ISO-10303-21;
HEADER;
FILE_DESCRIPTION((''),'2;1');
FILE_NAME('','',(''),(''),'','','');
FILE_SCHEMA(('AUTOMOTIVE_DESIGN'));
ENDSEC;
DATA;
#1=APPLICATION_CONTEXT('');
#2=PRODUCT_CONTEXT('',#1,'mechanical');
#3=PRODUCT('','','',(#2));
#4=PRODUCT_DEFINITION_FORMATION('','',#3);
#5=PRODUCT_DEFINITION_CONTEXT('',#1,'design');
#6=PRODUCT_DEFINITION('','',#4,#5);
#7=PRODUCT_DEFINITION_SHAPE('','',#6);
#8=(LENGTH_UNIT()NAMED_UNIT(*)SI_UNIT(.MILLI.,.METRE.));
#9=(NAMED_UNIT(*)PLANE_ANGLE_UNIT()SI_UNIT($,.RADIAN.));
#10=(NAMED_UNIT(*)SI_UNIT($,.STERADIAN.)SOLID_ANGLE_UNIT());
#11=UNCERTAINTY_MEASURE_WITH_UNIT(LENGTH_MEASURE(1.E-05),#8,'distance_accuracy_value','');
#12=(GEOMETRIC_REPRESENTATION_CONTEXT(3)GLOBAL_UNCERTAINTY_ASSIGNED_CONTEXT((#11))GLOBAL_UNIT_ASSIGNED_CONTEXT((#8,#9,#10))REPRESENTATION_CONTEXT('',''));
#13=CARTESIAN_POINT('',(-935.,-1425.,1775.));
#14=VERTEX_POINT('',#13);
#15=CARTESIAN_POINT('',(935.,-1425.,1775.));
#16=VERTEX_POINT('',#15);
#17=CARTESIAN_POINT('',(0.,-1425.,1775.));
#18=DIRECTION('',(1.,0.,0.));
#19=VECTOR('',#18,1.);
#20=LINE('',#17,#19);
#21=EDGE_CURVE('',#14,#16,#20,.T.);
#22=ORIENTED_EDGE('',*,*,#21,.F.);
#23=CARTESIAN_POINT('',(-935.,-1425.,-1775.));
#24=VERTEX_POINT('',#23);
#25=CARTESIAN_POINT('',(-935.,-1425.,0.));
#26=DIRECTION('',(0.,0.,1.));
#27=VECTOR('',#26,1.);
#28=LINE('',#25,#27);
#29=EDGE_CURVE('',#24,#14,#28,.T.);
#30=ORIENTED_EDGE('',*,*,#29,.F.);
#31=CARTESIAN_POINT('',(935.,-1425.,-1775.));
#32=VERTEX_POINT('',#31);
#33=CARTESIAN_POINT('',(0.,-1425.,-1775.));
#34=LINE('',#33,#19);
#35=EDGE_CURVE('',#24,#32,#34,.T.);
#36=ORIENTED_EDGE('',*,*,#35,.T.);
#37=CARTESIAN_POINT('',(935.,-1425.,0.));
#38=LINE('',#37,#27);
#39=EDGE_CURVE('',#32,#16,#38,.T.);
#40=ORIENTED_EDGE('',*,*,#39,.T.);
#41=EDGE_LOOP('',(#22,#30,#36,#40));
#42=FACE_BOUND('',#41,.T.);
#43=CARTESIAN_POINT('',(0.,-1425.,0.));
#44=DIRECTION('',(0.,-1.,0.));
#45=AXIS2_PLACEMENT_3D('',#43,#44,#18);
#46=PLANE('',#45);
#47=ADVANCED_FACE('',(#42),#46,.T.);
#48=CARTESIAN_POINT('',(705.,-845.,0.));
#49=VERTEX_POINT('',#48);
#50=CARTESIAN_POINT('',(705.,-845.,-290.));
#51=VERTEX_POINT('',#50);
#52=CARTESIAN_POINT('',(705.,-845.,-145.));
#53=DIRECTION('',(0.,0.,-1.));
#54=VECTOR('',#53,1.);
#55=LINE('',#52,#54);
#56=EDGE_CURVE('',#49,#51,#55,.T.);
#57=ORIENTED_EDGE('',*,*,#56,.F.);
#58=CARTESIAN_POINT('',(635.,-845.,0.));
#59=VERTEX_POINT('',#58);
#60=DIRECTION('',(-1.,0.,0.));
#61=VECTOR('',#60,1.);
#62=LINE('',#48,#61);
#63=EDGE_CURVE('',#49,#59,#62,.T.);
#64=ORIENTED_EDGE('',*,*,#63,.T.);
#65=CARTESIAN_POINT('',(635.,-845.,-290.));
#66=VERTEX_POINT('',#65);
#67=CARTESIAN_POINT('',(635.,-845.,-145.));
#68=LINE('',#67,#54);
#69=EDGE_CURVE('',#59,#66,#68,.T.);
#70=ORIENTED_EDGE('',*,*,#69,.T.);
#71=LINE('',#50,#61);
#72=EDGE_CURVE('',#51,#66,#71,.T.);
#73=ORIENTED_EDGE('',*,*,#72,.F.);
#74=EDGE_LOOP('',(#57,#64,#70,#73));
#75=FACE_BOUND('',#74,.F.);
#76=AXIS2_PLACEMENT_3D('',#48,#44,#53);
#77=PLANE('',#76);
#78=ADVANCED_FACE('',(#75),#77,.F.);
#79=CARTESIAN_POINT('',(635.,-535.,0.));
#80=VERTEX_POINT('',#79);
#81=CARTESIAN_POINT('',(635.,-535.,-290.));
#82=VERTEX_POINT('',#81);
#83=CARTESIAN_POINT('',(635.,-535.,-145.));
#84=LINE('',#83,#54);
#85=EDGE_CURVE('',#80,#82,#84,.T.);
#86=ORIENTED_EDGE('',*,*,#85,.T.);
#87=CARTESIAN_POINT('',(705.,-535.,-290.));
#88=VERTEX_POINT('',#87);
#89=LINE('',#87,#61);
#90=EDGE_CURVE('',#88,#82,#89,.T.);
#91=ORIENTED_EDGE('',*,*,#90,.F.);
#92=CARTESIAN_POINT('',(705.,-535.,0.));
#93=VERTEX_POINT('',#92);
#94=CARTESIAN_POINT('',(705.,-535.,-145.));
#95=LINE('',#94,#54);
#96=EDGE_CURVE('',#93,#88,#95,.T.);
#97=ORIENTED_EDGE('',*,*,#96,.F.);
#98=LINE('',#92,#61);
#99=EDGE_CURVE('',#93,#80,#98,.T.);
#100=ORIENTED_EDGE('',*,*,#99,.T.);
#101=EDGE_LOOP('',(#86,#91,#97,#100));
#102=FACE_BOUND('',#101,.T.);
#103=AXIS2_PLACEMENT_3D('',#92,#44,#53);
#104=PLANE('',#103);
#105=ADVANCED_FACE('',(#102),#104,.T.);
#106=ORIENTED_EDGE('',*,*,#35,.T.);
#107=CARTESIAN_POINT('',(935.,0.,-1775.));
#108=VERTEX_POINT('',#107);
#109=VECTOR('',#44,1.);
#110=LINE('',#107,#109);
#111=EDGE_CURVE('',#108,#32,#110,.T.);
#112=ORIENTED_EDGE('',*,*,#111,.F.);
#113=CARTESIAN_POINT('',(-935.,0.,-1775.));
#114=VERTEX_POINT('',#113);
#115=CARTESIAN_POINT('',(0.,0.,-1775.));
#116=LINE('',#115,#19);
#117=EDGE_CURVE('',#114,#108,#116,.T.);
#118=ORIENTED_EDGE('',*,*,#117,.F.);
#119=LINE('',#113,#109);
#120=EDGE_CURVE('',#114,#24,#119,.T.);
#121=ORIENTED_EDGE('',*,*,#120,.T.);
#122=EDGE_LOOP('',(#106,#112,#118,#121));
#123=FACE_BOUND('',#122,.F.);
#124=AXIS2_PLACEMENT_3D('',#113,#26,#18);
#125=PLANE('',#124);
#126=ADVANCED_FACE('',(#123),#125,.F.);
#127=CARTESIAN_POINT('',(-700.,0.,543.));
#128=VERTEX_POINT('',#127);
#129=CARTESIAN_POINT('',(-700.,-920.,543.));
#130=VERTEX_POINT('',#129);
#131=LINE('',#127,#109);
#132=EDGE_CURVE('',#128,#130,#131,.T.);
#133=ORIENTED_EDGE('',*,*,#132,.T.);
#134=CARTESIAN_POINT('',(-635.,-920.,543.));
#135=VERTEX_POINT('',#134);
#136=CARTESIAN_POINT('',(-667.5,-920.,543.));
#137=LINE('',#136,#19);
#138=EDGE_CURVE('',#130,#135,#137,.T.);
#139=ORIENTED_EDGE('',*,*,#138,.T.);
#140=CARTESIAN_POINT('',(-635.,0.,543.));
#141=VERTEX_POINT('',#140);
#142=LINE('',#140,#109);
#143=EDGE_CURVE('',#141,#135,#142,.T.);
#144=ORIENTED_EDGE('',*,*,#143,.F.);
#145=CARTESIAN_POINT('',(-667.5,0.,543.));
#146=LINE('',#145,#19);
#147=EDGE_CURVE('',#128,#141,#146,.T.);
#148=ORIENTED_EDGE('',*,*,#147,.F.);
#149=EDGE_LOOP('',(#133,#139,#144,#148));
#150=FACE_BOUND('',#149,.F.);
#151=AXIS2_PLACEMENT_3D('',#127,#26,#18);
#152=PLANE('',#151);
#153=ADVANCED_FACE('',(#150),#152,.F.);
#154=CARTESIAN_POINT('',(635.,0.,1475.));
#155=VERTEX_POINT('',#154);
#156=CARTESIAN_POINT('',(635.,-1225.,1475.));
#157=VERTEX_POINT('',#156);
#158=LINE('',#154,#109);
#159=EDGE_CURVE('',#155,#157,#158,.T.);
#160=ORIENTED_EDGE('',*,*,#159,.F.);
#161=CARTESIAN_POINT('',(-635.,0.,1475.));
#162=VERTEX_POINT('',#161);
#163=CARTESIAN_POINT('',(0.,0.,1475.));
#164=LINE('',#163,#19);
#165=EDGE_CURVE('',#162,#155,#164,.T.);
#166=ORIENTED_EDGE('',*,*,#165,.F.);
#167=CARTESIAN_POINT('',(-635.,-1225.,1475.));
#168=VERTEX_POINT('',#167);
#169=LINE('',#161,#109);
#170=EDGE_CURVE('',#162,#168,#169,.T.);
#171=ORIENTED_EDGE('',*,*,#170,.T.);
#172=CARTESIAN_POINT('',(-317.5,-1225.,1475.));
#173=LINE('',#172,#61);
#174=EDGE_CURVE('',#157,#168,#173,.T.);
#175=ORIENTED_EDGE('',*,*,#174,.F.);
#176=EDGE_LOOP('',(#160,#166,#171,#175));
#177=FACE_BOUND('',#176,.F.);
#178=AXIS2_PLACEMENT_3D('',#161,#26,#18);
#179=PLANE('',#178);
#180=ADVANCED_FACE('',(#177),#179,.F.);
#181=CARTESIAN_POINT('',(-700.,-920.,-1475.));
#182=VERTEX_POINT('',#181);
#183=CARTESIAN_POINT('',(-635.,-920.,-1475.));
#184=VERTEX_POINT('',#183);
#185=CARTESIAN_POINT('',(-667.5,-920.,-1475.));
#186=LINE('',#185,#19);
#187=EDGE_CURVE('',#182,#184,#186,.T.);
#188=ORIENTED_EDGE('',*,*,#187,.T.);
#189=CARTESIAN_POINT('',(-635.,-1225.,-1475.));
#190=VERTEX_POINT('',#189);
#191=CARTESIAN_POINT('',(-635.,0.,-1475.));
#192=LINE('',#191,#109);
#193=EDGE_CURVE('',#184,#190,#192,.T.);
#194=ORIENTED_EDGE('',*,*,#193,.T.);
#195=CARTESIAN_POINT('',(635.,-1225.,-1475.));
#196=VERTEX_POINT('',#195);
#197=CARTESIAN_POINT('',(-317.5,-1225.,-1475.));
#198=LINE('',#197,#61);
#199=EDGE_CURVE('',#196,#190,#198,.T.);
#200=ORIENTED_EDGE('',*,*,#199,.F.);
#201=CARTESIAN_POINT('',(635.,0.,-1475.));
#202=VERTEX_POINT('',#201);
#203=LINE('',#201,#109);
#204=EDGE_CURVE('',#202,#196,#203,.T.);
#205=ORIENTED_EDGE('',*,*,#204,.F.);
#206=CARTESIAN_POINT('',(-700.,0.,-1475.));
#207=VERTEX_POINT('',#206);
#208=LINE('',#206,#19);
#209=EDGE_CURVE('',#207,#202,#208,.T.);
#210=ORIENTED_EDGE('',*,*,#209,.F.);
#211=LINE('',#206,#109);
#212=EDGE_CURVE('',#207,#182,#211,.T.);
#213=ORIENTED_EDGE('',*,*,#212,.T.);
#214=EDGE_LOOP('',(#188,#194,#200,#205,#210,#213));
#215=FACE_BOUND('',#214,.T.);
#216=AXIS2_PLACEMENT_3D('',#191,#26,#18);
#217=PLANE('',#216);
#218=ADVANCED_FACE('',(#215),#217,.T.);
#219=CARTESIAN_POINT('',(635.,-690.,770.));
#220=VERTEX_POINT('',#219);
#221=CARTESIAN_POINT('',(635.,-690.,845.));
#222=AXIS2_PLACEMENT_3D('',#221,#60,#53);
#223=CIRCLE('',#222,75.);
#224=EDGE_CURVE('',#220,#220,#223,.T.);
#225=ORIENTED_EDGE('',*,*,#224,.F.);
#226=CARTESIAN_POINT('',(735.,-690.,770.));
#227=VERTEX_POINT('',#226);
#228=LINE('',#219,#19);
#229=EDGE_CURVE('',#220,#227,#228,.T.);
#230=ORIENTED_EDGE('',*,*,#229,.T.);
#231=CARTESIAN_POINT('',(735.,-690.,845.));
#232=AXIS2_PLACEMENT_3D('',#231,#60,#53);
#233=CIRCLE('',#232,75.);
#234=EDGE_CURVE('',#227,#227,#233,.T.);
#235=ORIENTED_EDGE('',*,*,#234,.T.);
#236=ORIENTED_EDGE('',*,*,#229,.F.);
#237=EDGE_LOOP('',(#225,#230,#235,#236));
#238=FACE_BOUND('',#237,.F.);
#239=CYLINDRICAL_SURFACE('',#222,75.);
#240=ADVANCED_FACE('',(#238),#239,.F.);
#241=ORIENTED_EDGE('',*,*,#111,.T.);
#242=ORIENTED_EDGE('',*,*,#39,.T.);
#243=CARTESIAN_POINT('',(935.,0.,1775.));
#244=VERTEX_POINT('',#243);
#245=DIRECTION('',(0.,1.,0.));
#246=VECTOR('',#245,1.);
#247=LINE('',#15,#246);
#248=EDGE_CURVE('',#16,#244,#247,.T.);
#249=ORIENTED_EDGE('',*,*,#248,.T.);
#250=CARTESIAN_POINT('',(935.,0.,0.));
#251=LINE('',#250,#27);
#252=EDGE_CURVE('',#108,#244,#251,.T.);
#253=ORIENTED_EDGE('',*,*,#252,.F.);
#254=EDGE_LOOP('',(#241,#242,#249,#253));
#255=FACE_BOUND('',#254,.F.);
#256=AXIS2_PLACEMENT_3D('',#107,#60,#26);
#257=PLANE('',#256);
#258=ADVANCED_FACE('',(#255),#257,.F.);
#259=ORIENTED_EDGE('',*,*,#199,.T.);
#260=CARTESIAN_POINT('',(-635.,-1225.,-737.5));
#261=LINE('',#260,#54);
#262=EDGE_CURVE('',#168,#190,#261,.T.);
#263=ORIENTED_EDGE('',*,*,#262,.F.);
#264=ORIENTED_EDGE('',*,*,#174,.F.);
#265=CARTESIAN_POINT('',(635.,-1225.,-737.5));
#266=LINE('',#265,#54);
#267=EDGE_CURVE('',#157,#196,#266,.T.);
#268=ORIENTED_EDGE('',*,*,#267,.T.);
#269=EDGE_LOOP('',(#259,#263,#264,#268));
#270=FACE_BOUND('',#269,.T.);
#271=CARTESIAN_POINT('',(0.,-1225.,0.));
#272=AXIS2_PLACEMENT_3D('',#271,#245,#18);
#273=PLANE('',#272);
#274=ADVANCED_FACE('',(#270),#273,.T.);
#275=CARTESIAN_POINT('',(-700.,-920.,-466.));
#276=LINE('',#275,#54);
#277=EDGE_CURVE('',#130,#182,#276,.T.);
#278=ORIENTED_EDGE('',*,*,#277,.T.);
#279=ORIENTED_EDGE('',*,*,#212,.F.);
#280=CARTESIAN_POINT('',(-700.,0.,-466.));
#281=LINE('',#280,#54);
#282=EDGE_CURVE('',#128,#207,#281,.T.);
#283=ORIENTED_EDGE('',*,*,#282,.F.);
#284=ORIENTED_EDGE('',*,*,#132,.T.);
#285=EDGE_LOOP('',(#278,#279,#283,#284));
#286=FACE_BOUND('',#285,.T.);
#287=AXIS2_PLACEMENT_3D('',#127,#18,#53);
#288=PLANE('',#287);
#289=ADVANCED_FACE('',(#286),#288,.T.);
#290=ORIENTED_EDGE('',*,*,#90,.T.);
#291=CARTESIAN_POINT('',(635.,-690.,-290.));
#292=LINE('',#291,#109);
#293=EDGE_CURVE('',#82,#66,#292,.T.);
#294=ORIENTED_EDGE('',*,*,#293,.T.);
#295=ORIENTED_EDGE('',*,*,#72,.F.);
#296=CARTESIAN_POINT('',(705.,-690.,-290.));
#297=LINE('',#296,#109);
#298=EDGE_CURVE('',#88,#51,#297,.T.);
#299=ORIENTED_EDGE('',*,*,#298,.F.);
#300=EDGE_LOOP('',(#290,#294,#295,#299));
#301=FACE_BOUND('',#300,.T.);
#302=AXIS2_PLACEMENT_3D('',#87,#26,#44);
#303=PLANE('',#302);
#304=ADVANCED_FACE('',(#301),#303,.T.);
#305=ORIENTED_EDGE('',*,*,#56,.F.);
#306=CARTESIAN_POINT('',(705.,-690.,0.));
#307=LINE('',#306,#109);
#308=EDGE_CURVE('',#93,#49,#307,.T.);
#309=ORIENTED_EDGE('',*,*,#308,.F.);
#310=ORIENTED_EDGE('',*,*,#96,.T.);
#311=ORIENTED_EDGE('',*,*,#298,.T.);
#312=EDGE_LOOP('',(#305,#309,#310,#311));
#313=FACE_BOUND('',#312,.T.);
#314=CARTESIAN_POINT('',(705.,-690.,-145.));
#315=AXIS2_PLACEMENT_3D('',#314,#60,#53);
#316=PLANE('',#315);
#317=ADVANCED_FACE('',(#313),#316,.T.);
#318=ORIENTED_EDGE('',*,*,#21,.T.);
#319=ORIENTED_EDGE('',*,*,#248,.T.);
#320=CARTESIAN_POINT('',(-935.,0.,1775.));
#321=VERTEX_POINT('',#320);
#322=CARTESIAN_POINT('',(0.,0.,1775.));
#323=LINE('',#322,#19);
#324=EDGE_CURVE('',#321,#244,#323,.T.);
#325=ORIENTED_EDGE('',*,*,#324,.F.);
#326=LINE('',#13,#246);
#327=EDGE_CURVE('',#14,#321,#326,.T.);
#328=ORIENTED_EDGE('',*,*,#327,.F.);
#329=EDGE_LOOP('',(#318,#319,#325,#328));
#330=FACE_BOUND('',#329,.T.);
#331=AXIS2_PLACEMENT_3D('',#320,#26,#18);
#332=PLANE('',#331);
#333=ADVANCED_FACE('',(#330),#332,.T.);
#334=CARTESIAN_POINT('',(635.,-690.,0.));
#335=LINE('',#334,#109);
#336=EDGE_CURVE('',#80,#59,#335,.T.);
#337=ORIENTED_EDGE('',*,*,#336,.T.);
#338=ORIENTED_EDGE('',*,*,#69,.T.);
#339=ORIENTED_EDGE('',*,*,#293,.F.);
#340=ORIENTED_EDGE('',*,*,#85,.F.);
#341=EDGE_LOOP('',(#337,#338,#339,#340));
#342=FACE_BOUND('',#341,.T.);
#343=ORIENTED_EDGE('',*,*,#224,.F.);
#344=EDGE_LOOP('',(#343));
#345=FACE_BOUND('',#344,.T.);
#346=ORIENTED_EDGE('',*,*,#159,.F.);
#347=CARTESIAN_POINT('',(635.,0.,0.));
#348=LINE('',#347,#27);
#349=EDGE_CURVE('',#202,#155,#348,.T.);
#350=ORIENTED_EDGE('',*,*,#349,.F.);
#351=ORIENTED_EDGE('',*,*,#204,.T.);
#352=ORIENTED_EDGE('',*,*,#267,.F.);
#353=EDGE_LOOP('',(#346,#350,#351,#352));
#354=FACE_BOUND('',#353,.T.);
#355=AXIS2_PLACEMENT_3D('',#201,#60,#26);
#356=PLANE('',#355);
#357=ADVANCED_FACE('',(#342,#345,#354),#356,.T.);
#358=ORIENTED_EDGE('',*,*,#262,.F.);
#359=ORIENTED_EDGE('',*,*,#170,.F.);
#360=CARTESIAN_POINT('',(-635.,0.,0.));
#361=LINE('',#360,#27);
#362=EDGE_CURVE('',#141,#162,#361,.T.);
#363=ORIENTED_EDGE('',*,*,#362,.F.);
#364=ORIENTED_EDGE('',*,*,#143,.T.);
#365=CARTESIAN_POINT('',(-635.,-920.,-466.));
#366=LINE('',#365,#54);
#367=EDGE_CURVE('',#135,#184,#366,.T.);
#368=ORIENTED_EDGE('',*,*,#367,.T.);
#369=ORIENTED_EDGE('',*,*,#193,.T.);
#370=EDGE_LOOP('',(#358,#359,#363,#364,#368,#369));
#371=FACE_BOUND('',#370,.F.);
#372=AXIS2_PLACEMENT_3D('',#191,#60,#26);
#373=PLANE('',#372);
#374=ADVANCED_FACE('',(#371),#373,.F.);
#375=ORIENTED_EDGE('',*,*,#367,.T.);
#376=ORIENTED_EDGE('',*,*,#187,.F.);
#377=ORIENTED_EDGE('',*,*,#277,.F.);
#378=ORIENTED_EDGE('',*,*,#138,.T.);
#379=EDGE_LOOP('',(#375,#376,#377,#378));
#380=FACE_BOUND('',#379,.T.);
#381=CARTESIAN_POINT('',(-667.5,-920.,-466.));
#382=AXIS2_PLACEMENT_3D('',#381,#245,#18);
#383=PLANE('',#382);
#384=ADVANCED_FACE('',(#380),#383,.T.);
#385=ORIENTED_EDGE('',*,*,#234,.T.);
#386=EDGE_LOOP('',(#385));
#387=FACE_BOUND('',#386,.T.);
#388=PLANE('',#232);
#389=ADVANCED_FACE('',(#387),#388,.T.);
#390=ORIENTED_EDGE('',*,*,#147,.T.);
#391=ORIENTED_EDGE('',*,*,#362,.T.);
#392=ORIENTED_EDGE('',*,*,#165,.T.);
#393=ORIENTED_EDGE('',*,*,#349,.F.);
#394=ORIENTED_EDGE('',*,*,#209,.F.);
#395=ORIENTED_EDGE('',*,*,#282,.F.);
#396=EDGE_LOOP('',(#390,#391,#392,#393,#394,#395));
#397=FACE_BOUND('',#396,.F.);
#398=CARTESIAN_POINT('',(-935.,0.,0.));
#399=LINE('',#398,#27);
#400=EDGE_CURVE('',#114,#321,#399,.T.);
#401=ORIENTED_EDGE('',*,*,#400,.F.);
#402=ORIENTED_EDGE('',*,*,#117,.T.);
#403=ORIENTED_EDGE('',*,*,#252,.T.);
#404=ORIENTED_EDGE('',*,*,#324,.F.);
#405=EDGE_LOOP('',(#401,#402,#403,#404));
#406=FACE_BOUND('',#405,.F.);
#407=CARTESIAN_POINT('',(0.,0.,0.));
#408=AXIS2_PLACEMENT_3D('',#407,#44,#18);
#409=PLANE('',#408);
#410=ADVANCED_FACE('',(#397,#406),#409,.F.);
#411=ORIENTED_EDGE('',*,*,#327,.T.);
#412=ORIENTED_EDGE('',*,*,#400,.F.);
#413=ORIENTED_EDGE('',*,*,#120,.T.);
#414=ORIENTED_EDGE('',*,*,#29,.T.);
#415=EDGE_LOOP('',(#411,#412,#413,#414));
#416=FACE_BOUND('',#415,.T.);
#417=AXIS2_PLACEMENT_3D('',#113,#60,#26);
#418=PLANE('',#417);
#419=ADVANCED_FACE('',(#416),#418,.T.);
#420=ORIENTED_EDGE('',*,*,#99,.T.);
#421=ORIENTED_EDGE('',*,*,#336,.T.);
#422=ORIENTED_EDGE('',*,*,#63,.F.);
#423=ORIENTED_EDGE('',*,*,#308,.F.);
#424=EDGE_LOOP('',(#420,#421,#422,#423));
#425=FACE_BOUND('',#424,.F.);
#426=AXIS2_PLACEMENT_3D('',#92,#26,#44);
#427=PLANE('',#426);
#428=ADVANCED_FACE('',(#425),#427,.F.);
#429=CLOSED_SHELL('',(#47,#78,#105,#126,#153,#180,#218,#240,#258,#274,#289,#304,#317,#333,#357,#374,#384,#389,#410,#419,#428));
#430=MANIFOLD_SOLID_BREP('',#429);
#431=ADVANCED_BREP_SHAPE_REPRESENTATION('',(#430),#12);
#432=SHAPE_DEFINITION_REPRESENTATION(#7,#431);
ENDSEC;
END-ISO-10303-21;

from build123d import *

# Parameters (mm, degrees)
SKETCH001_W     = 1870
SKETCH001_H     = 3550
SKETCH001_W_2   = 1270
SKETCH001_H_2   = 2950
PAD_DEPTH       = 1425
BINDER_W        = 1870
BINDER_H        = 3550
PAD001_DEPTH    = 200
SKETCH002_W     = 65
SKETCH002_H     = 2018
POCKET_DEPTH    = 920
BOX_W           = 290
BOX_H           = 310
BOX_DEPTH       = 70
SKETCH003_R     = 75
POCKET001_DEPTH = 100


with BuildPart() as part:
    # Sketch001 → Pad (new body)
    with BuildSketch(Plane.XZ):
        Rectangle(SKETCH001_W, SKETCH001_H)
        Rectangle(SKETCH001_W_2, SKETCH001_H_2, mode=Mode.SUBTRACT)
    extrude(amount=PAD_DEPTH)

    # Binder → Pad001 (join)
    with BuildSketch(Plane(origin=(0, -1425, 0), x_dir=(1, 0, 0), z_dir=(0, 1, 0))):
        Rectangle(BINDER_W, BINDER_H)
    extrude(amount=PAD001_DEPTH)

    # Sketch002 (on Face1 of Pad001) → Pocket (cut)
    with BuildSketch(Plane(origin=(0, 0, 0), x_dir=(1, 0, 0), z_dir=(0, 1, 0))):
        with Locations((-667.5, 466)):
            Rectangle(SKETCH002_W, SKETCH002_H)
    extrude(amount=-POCKET_DEPTH, mode=Mode.SUBTRACT)

    # Box → Box (cut)
    with BuildSketch(Plane(origin=(705, -535, 0), x_dir=(0, 0, -1), z_dir=(-1, 0, 0))):
        with Locations((145, 155)):
            Rectangle(BOX_W, BOX_H)
    extrude(amount=BOX_DEPTH, mode=Mode.SUBTRACT)

    # Sketch003 (on Face7 of Box) → Pocket001 (cut)
    with BuildSketch(Plane(origin=(635, -535, 0), x_dir=(0, 0, -1), z_dir=(-1, 0, 0))):
        with Locations((-845, 155)):
            Circle(SKETCH003_R)
    extrude(amount=-POCKET001_DEPTH, mode=Mode.SUBTRACT)


solid = part.part
